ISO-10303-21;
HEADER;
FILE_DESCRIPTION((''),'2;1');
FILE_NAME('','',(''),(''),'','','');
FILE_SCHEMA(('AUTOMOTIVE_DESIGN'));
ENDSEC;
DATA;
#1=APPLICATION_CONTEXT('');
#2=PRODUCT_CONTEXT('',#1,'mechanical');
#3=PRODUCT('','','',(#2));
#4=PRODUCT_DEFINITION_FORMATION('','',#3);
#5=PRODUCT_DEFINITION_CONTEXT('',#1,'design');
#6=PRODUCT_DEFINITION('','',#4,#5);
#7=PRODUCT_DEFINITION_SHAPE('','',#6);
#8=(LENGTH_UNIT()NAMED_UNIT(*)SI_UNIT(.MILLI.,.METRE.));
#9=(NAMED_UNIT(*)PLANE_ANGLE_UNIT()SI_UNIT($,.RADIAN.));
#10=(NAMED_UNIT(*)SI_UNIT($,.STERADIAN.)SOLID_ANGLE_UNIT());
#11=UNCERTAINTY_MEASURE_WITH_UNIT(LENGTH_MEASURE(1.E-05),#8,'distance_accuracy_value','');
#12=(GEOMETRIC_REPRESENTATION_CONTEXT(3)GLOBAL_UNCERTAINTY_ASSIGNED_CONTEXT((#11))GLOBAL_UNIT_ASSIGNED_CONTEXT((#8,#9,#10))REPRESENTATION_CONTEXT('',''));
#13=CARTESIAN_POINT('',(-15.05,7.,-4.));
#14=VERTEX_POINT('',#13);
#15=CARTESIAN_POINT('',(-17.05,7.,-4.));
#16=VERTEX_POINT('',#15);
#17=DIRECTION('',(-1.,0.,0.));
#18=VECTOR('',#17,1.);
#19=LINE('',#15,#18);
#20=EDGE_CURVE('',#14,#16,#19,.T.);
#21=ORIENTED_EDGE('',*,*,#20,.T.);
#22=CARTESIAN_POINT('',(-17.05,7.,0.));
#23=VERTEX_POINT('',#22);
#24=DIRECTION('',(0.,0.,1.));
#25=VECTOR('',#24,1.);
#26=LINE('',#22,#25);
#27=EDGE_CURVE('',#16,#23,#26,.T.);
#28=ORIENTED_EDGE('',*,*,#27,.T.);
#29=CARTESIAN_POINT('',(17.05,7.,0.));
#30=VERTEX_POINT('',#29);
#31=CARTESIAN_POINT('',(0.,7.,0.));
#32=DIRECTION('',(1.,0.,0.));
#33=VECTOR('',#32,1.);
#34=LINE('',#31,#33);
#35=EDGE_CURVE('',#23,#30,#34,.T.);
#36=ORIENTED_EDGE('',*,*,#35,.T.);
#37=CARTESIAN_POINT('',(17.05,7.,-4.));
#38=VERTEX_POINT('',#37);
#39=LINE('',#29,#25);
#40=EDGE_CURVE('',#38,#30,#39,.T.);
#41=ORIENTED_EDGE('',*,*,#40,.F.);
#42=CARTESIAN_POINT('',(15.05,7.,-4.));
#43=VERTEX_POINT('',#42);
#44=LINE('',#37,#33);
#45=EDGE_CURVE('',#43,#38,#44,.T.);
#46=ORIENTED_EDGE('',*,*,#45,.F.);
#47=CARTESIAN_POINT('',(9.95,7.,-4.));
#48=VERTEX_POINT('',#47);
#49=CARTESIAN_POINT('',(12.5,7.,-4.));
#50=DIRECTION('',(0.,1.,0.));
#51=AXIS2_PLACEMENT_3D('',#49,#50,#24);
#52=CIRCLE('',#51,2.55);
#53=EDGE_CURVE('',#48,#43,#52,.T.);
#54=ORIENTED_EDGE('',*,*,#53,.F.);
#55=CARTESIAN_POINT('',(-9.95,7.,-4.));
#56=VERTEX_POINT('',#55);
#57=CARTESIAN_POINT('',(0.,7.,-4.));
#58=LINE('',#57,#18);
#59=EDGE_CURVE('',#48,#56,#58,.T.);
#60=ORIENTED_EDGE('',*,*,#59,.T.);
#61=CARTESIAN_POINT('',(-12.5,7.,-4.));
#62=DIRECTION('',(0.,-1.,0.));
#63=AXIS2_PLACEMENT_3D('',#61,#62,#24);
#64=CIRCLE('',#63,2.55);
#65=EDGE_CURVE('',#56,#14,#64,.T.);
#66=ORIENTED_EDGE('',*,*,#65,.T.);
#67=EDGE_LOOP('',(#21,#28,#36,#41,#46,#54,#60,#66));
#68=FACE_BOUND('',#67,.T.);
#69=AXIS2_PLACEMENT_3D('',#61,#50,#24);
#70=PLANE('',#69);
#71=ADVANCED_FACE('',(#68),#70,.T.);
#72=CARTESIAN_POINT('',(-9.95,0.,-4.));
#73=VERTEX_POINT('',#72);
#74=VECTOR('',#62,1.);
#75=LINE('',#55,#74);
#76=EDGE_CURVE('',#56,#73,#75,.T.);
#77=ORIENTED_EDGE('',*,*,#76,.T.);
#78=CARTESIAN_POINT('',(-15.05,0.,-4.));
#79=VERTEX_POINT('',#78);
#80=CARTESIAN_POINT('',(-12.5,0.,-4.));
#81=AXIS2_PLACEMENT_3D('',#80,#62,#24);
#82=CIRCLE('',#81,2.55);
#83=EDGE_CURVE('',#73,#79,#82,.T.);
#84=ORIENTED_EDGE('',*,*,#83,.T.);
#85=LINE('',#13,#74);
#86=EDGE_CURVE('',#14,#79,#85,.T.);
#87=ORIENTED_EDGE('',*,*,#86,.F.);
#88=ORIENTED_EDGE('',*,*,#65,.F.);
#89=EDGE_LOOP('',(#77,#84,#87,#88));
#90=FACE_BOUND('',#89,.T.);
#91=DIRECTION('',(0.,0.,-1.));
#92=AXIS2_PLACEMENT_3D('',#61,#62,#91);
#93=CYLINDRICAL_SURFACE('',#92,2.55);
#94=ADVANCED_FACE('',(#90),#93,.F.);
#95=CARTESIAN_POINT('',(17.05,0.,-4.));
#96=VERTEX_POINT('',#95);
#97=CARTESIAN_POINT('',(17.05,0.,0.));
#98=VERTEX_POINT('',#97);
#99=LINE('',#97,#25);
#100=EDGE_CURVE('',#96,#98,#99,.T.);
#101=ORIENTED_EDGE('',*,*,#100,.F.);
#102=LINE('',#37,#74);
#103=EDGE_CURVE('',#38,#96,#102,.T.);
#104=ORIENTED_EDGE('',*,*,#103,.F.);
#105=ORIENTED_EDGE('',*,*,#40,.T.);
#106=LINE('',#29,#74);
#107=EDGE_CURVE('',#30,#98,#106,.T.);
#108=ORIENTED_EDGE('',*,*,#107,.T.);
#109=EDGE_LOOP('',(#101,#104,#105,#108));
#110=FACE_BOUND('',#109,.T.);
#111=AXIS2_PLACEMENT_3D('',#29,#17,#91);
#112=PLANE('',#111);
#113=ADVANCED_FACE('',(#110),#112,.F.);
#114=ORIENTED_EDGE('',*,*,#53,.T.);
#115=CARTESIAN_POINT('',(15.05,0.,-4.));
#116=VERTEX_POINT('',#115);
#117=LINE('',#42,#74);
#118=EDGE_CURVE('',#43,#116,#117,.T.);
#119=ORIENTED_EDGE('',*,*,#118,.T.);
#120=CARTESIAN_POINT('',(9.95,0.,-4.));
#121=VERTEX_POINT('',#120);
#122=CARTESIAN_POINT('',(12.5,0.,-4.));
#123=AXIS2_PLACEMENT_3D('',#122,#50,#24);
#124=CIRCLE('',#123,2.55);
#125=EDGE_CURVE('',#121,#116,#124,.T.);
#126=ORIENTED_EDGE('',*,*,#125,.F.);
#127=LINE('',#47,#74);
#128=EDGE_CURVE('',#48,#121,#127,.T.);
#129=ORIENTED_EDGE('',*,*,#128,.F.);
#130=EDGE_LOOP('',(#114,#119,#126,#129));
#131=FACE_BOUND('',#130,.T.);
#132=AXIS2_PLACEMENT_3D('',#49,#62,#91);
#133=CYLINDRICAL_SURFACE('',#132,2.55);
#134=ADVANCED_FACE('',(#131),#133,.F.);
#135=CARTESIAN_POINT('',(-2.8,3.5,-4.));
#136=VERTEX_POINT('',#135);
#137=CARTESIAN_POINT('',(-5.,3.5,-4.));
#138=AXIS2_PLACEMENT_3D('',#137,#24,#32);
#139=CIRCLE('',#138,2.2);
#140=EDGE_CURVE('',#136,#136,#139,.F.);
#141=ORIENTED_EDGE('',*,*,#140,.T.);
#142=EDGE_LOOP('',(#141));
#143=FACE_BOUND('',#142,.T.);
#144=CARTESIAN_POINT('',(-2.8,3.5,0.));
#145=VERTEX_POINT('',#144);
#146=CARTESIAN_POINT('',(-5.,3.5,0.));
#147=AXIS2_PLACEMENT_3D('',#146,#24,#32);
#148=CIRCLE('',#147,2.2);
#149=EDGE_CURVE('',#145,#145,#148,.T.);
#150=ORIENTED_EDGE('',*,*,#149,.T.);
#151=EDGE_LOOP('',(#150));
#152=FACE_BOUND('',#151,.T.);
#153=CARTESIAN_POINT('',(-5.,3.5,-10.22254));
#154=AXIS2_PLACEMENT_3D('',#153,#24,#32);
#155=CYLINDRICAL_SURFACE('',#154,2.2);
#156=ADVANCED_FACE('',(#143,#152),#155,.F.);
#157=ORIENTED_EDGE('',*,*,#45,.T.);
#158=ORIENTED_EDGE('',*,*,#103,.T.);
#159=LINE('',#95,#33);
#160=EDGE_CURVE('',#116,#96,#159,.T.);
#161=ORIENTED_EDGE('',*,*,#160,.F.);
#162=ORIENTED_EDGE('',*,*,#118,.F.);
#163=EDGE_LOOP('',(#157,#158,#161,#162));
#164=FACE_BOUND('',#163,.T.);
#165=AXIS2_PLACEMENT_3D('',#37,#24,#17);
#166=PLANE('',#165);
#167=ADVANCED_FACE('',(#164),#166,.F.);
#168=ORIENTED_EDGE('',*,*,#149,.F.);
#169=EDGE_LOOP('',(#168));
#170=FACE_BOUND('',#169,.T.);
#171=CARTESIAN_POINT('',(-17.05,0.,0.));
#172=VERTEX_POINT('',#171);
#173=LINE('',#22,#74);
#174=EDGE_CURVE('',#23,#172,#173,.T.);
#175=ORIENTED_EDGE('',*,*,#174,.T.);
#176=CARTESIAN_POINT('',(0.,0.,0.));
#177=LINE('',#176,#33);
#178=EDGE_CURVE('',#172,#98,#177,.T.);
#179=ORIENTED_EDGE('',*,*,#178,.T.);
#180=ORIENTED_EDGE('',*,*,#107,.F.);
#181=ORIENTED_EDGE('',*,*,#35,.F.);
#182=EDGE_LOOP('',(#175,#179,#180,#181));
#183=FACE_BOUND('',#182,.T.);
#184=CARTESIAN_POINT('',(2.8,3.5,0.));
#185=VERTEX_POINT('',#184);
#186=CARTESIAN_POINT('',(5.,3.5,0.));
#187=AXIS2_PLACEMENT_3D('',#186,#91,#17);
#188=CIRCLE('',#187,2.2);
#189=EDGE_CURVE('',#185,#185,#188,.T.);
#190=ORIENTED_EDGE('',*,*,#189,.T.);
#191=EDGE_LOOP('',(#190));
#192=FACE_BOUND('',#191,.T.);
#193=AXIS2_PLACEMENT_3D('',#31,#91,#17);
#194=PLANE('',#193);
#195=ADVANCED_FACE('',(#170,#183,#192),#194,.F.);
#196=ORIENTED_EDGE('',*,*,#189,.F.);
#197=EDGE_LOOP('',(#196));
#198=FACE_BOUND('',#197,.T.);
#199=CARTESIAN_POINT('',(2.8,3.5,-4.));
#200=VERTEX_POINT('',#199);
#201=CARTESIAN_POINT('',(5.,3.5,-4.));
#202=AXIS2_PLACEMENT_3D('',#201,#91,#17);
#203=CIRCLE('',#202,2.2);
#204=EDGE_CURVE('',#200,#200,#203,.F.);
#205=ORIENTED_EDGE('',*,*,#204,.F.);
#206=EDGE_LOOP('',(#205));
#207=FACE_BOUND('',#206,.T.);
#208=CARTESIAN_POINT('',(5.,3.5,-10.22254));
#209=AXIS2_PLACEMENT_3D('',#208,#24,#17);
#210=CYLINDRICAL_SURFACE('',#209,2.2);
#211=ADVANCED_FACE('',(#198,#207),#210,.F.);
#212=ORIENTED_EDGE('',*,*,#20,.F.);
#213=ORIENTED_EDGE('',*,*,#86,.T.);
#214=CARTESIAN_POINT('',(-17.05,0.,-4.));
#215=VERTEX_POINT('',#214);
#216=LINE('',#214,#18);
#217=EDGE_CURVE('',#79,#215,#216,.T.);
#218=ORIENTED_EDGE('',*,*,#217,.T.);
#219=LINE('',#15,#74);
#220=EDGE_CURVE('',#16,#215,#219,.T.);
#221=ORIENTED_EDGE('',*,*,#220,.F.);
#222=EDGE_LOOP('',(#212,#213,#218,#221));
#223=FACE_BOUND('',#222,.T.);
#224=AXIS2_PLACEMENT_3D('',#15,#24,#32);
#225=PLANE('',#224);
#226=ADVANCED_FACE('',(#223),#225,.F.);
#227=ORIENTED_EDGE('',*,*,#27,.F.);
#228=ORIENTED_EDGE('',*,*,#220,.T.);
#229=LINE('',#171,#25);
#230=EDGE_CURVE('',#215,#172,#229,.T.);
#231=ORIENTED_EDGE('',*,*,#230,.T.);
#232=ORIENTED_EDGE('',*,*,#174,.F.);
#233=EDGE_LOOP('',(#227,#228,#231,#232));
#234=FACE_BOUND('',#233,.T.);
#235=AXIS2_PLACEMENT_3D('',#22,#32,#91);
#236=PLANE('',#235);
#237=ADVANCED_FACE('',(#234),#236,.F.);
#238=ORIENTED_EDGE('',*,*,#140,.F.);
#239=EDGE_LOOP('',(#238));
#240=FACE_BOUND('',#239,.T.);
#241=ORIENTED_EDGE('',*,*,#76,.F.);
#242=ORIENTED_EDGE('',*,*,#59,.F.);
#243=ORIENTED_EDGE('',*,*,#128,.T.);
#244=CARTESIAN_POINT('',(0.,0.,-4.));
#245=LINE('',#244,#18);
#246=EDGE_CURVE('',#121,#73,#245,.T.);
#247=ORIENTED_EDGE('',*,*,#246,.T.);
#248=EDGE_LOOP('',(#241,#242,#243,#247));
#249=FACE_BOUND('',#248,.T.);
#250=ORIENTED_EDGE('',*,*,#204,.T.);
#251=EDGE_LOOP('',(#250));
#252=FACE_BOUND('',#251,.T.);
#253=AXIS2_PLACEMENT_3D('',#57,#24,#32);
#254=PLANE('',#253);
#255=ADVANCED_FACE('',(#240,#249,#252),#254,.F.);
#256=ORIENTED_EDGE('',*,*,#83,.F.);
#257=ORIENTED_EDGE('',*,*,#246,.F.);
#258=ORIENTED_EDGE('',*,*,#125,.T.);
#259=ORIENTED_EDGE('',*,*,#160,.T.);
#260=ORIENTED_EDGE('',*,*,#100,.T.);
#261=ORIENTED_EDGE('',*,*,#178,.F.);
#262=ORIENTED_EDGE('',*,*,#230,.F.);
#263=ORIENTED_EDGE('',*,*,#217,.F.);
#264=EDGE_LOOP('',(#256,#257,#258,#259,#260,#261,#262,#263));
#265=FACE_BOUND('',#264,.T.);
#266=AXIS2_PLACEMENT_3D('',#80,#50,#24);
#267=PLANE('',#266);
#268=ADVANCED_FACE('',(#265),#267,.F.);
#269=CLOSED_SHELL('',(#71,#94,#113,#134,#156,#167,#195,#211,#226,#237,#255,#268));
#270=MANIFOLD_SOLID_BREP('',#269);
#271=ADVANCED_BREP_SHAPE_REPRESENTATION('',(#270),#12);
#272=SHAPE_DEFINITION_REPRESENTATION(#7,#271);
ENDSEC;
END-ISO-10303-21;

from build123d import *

# Parameters (mm, degrees)
BOSS_EXTRUDE1_DEPTH = 7
SKETCH2_R           = 2.2
CUT_EXTRUDE1_DEPTH  = 4


with BuildPart() as part:
    # Sketch1 → Boss-Extrude1 (new body)
    with BuildSketch(Plane(origin=(0, 0, 0), x_dir=(1, 0, 0), z_dir=(0, 1, 0))):
        with BuildLine():
            Line((0, 0), (-17.05, 0))
            Line((-17.05, 0), (-17.05, 4))
            Line((-17.05, 4), (-15.05, 4))
            ThreePointArc((-15.05, 4), (-12.5, 1.45), (-9.95, 4))
            Line((-9.95, 4), (0, 4))
            Line((0, 4), (0, 0))
        make_face()
    extrude(amount=BOSS_EXTRUDE1_DEPTH)

    # Sketch2 → Cut-Extrude1 (cut)
    with BuildSketch(Plane.XY):
        with Locations((-5, 3.5)):
            Circle(SKETCH2_R)
    extrude(amount=-CUT_EXTRUDE1_DEPTH, mode=Mode.SUBTRACT)

    # Mirror1: part across plane


with BuildPart() as part_1:
    add(part.part)
    add(part.part.mirror(Plane(origin=(0, 0, 0), x_dir=(0, 0, 1), z_dir=(1, 0, 0))))


solid = part_1.part
